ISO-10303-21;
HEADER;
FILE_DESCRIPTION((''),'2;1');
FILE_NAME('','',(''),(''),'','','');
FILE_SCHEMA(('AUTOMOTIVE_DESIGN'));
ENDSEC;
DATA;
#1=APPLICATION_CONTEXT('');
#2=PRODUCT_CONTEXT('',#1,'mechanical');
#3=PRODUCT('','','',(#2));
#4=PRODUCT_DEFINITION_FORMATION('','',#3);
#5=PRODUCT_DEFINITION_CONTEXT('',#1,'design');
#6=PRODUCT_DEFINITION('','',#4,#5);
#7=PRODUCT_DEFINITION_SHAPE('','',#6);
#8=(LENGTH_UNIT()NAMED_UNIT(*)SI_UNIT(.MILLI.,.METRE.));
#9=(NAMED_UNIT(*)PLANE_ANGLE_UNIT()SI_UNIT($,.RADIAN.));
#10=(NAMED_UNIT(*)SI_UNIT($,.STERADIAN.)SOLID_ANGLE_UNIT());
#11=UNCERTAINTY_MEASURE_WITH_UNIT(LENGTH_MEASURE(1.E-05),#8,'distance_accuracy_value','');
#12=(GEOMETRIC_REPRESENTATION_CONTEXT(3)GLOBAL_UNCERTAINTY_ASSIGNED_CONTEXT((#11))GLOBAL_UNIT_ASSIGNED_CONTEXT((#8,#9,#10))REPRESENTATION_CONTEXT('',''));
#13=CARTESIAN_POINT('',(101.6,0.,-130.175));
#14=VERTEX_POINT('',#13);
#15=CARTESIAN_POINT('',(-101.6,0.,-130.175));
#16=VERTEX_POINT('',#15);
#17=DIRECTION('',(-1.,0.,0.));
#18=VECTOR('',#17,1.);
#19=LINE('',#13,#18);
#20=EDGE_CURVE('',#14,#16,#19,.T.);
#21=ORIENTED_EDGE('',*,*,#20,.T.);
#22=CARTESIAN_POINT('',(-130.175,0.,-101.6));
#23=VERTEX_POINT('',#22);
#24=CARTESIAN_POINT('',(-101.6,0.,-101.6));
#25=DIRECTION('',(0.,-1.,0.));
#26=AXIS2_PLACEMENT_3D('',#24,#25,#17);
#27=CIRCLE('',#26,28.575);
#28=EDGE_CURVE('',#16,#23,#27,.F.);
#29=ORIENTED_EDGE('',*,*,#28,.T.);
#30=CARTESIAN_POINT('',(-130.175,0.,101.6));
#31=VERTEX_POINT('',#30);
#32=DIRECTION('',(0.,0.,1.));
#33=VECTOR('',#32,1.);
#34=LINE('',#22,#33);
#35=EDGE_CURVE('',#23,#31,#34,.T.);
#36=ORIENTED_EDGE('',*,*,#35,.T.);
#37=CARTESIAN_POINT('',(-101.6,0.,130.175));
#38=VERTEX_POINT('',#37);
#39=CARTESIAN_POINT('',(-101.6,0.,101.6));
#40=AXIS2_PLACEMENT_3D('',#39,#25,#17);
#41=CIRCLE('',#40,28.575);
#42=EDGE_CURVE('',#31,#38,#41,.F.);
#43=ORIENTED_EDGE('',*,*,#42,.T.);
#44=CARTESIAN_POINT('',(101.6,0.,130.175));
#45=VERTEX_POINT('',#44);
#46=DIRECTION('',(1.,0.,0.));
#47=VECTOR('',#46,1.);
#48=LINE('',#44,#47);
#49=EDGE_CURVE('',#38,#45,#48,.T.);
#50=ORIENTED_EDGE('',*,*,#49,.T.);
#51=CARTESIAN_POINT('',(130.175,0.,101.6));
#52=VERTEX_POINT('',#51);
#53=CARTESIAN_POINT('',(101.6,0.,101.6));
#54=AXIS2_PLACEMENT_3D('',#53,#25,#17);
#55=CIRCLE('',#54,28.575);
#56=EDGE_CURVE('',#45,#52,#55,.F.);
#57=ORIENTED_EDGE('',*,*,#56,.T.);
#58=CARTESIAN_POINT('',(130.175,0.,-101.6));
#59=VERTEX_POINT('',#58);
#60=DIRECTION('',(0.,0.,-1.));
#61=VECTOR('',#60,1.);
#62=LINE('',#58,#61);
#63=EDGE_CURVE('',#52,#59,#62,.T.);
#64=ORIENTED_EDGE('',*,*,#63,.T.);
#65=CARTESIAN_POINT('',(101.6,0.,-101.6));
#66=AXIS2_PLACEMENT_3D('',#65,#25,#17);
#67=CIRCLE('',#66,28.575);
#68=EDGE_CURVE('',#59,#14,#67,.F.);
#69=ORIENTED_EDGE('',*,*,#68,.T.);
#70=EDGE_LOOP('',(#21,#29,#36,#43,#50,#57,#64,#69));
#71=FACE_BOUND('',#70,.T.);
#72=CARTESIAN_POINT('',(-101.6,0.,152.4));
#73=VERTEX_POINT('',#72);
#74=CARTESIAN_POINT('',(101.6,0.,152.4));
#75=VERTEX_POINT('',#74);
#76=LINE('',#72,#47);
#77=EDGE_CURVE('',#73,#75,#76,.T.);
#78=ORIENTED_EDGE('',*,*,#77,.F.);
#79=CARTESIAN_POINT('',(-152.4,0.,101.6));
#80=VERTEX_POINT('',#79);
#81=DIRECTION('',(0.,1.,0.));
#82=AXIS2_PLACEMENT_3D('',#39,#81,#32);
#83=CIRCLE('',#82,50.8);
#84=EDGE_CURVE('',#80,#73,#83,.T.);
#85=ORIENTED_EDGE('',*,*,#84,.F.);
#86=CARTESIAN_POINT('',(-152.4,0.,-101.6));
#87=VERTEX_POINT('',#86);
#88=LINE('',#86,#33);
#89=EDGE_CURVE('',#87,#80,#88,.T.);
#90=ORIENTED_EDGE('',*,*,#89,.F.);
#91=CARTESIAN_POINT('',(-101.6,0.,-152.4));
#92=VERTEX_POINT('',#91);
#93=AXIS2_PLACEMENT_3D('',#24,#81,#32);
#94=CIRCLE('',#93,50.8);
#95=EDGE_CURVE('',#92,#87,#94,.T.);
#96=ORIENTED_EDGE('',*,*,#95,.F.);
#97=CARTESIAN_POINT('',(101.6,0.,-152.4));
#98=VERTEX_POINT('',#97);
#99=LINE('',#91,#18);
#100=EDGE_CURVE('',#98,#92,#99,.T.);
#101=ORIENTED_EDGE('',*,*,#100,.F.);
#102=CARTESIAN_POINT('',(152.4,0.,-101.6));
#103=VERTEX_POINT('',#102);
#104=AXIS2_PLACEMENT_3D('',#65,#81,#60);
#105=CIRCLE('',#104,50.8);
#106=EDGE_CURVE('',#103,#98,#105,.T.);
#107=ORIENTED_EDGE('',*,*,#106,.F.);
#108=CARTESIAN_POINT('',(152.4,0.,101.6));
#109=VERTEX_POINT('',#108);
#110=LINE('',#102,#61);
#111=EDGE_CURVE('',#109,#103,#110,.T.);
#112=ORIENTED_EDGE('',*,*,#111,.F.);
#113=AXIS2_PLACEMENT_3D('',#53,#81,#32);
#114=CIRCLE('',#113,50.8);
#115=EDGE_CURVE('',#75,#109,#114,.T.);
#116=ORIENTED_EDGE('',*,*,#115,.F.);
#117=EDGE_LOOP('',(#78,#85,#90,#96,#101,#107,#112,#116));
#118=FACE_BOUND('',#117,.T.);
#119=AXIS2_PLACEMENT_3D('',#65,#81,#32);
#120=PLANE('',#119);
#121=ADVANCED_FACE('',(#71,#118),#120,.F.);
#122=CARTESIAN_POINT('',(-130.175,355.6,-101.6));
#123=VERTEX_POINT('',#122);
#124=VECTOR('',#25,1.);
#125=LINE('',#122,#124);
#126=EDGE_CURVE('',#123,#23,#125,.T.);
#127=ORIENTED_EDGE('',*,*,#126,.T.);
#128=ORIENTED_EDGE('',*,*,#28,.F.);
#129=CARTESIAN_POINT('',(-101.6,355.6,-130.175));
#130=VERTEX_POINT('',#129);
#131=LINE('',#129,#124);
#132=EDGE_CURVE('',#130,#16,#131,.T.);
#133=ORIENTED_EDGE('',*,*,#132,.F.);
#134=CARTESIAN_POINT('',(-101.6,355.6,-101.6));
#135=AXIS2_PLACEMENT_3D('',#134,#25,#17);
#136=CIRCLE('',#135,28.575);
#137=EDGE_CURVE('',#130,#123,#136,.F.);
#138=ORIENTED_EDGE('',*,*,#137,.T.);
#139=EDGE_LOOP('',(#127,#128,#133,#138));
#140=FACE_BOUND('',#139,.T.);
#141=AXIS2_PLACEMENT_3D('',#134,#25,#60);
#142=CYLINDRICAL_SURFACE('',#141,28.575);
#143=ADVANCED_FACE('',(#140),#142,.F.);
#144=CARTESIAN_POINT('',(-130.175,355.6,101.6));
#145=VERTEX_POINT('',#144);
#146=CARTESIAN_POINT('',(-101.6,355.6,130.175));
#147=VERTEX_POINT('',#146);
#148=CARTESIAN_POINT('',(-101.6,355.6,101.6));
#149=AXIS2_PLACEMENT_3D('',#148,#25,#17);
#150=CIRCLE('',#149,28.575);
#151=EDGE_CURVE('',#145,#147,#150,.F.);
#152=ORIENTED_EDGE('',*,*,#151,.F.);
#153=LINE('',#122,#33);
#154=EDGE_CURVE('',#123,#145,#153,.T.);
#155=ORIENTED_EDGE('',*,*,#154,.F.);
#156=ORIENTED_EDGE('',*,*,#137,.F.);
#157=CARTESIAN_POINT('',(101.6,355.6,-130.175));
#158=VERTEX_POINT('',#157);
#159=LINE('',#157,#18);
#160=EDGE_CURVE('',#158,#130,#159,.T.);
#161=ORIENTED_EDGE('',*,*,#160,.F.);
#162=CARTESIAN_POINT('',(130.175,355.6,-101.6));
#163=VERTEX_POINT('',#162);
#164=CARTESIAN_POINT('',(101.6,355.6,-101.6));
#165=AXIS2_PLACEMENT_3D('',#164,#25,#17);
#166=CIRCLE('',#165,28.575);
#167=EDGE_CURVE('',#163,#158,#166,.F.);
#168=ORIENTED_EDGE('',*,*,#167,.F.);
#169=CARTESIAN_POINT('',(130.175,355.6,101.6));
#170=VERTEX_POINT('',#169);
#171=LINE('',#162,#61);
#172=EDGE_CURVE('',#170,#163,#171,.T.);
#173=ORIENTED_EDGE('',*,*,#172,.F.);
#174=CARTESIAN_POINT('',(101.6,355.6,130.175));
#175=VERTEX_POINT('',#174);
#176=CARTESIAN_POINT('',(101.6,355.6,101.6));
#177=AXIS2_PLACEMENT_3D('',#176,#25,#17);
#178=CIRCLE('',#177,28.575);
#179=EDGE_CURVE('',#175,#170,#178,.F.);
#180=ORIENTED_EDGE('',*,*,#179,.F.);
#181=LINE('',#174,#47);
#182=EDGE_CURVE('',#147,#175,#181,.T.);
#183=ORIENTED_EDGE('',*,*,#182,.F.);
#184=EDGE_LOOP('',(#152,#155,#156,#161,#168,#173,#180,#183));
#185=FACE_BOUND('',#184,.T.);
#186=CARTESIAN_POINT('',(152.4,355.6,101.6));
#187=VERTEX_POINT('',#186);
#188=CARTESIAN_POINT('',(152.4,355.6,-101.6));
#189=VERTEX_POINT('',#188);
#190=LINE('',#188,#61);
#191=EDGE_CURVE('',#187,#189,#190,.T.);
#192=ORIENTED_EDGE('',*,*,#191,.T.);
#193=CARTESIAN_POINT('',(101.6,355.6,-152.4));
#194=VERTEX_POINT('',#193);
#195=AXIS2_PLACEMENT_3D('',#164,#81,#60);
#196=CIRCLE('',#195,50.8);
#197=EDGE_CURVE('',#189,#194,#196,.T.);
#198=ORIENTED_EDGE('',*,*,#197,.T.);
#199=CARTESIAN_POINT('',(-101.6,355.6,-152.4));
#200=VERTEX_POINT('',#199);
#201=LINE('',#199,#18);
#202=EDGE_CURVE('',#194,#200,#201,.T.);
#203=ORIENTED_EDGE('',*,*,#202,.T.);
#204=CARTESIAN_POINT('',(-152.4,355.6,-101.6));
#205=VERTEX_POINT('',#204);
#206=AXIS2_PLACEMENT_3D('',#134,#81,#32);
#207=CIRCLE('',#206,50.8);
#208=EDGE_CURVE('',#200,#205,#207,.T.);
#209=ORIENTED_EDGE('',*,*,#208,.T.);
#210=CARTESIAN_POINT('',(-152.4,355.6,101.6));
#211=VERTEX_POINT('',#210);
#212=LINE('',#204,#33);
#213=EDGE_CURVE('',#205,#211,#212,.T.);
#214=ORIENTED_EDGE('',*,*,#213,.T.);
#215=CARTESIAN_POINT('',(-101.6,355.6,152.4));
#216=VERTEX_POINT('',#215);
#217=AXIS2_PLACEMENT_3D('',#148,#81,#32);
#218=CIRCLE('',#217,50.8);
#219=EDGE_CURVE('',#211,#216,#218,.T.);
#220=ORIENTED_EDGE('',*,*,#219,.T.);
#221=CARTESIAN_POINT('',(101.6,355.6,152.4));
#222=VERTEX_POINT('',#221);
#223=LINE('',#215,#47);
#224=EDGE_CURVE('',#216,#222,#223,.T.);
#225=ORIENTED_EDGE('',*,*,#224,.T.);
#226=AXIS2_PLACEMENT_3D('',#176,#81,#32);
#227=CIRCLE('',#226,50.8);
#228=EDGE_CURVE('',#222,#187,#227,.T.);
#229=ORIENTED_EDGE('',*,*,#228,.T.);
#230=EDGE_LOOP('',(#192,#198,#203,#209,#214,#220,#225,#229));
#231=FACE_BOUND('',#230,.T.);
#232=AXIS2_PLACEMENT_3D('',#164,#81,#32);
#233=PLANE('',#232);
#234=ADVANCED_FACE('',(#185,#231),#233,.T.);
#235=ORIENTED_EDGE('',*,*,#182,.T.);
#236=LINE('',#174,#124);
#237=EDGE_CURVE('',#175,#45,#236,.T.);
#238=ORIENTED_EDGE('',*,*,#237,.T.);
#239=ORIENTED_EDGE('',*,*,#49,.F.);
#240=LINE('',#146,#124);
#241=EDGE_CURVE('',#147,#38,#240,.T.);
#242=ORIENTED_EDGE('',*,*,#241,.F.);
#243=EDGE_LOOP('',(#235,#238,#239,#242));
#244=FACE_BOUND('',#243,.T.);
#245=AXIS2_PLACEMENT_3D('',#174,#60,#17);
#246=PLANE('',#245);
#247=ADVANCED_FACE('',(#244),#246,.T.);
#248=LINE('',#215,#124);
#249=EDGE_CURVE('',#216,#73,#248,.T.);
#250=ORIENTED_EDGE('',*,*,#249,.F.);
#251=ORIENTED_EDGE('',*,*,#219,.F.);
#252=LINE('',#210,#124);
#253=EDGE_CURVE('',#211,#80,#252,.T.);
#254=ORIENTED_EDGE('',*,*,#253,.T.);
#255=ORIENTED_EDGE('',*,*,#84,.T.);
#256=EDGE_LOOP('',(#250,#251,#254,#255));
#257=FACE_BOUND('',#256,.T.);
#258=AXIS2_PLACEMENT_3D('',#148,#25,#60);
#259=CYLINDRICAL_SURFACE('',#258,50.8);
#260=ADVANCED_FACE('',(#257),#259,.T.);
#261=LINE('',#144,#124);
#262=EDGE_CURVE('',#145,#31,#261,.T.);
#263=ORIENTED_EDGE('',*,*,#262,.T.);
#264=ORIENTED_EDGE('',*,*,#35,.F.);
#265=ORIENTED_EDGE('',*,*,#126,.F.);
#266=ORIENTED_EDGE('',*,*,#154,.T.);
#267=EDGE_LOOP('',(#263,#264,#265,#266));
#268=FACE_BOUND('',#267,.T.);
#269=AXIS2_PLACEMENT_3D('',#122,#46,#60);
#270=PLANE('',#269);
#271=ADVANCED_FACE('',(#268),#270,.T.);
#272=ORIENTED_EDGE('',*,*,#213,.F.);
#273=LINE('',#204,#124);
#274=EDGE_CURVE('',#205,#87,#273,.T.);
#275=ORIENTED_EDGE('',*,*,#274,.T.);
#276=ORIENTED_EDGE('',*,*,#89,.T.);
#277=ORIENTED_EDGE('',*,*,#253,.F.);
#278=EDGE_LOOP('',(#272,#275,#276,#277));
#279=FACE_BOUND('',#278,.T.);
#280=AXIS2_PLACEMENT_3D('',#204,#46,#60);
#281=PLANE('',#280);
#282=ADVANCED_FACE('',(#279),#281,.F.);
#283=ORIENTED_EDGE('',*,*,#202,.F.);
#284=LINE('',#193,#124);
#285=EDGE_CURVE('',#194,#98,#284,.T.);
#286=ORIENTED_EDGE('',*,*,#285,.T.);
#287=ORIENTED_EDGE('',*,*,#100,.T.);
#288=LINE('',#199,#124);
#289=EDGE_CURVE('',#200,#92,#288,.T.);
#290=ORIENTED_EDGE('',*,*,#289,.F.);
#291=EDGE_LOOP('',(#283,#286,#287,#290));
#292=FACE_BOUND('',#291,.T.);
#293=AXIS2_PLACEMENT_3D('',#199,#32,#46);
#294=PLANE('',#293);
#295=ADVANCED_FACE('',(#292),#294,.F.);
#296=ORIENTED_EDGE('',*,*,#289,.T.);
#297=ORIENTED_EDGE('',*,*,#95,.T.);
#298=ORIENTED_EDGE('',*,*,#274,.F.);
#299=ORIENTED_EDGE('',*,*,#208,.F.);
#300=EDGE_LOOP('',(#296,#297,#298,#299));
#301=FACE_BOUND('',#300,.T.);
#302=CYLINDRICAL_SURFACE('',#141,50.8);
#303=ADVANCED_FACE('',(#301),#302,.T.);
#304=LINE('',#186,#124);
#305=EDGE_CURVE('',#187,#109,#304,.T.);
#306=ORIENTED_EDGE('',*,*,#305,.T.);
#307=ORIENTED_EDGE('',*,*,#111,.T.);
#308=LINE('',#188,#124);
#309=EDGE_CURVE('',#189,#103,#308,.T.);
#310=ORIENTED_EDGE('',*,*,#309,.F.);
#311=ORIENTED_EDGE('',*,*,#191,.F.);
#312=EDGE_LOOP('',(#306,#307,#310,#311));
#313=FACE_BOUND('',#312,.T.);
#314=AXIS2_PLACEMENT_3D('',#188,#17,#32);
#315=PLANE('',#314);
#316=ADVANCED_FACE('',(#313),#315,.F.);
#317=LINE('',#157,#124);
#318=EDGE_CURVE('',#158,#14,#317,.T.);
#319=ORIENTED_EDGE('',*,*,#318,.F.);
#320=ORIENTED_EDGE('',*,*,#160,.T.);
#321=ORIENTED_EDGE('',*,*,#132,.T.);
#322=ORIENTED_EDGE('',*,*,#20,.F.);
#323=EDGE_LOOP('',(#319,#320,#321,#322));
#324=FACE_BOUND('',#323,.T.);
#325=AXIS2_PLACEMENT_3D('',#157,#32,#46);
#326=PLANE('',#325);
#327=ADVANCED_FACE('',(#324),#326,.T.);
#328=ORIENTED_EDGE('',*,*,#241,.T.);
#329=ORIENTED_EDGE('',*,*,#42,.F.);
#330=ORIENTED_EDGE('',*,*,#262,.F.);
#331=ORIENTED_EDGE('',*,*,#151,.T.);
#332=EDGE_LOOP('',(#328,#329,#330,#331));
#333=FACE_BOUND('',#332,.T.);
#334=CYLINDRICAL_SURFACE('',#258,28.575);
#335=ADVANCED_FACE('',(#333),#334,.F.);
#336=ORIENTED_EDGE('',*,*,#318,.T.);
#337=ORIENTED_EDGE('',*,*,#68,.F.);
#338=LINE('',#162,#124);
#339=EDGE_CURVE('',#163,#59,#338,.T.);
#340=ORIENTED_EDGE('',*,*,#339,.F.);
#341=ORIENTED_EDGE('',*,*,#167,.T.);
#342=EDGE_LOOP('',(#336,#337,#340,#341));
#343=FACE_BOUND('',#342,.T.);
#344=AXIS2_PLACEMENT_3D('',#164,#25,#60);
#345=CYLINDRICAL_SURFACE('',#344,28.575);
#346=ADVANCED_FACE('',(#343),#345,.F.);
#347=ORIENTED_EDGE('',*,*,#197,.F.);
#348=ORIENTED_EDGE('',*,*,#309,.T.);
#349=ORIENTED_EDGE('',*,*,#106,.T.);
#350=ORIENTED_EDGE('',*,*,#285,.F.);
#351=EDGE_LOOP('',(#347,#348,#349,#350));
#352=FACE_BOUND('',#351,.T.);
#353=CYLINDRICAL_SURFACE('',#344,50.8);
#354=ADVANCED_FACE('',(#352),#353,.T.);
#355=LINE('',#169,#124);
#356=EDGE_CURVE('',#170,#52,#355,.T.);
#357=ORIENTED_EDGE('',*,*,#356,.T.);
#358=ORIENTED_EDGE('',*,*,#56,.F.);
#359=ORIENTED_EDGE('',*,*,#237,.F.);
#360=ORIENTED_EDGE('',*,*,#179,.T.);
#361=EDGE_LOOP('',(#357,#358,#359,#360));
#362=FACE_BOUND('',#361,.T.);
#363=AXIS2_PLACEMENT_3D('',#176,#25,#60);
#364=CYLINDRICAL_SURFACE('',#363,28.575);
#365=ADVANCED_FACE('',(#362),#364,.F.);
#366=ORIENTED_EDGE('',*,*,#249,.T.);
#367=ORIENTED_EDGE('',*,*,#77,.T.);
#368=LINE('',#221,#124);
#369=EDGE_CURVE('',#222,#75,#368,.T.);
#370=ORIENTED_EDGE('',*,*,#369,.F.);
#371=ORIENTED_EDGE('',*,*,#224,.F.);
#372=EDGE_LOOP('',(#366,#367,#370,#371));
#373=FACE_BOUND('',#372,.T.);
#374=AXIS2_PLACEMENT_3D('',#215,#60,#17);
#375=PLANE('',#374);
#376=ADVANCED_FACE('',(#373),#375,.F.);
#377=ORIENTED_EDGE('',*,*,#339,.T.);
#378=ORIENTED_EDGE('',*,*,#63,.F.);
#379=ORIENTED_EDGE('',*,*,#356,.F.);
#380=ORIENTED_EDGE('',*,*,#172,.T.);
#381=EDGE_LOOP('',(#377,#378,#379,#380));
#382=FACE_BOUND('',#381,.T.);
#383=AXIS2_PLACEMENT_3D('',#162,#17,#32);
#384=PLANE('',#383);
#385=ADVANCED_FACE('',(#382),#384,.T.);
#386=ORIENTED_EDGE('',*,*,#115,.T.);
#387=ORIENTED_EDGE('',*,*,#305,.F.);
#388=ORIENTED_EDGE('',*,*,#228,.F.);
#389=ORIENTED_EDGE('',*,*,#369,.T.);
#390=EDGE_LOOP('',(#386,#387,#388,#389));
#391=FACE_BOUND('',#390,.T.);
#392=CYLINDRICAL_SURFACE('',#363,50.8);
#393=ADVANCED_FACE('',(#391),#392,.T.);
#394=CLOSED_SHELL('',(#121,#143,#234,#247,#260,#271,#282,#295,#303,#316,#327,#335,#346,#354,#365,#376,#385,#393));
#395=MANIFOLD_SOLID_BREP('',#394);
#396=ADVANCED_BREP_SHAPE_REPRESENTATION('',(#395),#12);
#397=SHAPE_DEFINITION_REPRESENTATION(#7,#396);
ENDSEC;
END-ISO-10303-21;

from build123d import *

# Parameters (mm, degrees)
EXTRUDE_THIN1_DEPTH = 355.6


with BuildPart() as part:
    # Sketch2 → Extrude-Thin1 (new body)
    with BuildSketch(Plane(origin=(0, 0, 0), x_dir=(1, 0, 0), z_dir=(0, 1, 0))):
        with BuildLine():
            Line((-101.6, 152.4), (101.6, 152.4))
            ThreePointArc((101.6, 152.4), (137.521024484, 137.521024484), (152.4, 101.6))
            Line((152.4, 101.6), (152.4, -101.6))
            ThreePointArc((152.4, -101.6), (137.521024484, -137.521024484), (101.6, -152.4))
            Line((101.6, -152.4), (-101.6, -152.4))
            ThreePointArc((-101.6, -152.4), (-137.521024484, -137.521024484), (-152.4, -101.6))
            Line((-152.4, -101.6), (-152.4, 101.6))
            ThreePointArc((-152.4, 101.6), (-137.521024484, 137.521024484), (-101.6, 152.4))
        make_face()
        with BuildLine():
            Line((-101.6, 130.175), (101.6, 130.175))
            ThreePointArc((101.6, 130.175), (121.805576272, 121.805576272), (130.175, 101.6))
            Line((130.175, 101.6), (130.175, -101.6))
            ThreePointArc((130.175, -101.6), (121.805576272, -121.805576272), (101.6, -130.175))
            Line((101.6, -130.175), (-101.6, -130.175))
            ThreePointArc((-101.6, -130.175), (-121.805576272, -121.805576272), (-130.175, -101.6))
            Line((-130.175, -101.6), (-130.175, 101.6))
            ThreePointArc((-130.175, 101.6), (-121.805576272, 121.805576272), (-101.6, 130.175))
        make_face(mode=Mode.SUBTRACT)
    extrude(amount=EXTRUDE_THIN1_DEPTH)


solid = part.part
